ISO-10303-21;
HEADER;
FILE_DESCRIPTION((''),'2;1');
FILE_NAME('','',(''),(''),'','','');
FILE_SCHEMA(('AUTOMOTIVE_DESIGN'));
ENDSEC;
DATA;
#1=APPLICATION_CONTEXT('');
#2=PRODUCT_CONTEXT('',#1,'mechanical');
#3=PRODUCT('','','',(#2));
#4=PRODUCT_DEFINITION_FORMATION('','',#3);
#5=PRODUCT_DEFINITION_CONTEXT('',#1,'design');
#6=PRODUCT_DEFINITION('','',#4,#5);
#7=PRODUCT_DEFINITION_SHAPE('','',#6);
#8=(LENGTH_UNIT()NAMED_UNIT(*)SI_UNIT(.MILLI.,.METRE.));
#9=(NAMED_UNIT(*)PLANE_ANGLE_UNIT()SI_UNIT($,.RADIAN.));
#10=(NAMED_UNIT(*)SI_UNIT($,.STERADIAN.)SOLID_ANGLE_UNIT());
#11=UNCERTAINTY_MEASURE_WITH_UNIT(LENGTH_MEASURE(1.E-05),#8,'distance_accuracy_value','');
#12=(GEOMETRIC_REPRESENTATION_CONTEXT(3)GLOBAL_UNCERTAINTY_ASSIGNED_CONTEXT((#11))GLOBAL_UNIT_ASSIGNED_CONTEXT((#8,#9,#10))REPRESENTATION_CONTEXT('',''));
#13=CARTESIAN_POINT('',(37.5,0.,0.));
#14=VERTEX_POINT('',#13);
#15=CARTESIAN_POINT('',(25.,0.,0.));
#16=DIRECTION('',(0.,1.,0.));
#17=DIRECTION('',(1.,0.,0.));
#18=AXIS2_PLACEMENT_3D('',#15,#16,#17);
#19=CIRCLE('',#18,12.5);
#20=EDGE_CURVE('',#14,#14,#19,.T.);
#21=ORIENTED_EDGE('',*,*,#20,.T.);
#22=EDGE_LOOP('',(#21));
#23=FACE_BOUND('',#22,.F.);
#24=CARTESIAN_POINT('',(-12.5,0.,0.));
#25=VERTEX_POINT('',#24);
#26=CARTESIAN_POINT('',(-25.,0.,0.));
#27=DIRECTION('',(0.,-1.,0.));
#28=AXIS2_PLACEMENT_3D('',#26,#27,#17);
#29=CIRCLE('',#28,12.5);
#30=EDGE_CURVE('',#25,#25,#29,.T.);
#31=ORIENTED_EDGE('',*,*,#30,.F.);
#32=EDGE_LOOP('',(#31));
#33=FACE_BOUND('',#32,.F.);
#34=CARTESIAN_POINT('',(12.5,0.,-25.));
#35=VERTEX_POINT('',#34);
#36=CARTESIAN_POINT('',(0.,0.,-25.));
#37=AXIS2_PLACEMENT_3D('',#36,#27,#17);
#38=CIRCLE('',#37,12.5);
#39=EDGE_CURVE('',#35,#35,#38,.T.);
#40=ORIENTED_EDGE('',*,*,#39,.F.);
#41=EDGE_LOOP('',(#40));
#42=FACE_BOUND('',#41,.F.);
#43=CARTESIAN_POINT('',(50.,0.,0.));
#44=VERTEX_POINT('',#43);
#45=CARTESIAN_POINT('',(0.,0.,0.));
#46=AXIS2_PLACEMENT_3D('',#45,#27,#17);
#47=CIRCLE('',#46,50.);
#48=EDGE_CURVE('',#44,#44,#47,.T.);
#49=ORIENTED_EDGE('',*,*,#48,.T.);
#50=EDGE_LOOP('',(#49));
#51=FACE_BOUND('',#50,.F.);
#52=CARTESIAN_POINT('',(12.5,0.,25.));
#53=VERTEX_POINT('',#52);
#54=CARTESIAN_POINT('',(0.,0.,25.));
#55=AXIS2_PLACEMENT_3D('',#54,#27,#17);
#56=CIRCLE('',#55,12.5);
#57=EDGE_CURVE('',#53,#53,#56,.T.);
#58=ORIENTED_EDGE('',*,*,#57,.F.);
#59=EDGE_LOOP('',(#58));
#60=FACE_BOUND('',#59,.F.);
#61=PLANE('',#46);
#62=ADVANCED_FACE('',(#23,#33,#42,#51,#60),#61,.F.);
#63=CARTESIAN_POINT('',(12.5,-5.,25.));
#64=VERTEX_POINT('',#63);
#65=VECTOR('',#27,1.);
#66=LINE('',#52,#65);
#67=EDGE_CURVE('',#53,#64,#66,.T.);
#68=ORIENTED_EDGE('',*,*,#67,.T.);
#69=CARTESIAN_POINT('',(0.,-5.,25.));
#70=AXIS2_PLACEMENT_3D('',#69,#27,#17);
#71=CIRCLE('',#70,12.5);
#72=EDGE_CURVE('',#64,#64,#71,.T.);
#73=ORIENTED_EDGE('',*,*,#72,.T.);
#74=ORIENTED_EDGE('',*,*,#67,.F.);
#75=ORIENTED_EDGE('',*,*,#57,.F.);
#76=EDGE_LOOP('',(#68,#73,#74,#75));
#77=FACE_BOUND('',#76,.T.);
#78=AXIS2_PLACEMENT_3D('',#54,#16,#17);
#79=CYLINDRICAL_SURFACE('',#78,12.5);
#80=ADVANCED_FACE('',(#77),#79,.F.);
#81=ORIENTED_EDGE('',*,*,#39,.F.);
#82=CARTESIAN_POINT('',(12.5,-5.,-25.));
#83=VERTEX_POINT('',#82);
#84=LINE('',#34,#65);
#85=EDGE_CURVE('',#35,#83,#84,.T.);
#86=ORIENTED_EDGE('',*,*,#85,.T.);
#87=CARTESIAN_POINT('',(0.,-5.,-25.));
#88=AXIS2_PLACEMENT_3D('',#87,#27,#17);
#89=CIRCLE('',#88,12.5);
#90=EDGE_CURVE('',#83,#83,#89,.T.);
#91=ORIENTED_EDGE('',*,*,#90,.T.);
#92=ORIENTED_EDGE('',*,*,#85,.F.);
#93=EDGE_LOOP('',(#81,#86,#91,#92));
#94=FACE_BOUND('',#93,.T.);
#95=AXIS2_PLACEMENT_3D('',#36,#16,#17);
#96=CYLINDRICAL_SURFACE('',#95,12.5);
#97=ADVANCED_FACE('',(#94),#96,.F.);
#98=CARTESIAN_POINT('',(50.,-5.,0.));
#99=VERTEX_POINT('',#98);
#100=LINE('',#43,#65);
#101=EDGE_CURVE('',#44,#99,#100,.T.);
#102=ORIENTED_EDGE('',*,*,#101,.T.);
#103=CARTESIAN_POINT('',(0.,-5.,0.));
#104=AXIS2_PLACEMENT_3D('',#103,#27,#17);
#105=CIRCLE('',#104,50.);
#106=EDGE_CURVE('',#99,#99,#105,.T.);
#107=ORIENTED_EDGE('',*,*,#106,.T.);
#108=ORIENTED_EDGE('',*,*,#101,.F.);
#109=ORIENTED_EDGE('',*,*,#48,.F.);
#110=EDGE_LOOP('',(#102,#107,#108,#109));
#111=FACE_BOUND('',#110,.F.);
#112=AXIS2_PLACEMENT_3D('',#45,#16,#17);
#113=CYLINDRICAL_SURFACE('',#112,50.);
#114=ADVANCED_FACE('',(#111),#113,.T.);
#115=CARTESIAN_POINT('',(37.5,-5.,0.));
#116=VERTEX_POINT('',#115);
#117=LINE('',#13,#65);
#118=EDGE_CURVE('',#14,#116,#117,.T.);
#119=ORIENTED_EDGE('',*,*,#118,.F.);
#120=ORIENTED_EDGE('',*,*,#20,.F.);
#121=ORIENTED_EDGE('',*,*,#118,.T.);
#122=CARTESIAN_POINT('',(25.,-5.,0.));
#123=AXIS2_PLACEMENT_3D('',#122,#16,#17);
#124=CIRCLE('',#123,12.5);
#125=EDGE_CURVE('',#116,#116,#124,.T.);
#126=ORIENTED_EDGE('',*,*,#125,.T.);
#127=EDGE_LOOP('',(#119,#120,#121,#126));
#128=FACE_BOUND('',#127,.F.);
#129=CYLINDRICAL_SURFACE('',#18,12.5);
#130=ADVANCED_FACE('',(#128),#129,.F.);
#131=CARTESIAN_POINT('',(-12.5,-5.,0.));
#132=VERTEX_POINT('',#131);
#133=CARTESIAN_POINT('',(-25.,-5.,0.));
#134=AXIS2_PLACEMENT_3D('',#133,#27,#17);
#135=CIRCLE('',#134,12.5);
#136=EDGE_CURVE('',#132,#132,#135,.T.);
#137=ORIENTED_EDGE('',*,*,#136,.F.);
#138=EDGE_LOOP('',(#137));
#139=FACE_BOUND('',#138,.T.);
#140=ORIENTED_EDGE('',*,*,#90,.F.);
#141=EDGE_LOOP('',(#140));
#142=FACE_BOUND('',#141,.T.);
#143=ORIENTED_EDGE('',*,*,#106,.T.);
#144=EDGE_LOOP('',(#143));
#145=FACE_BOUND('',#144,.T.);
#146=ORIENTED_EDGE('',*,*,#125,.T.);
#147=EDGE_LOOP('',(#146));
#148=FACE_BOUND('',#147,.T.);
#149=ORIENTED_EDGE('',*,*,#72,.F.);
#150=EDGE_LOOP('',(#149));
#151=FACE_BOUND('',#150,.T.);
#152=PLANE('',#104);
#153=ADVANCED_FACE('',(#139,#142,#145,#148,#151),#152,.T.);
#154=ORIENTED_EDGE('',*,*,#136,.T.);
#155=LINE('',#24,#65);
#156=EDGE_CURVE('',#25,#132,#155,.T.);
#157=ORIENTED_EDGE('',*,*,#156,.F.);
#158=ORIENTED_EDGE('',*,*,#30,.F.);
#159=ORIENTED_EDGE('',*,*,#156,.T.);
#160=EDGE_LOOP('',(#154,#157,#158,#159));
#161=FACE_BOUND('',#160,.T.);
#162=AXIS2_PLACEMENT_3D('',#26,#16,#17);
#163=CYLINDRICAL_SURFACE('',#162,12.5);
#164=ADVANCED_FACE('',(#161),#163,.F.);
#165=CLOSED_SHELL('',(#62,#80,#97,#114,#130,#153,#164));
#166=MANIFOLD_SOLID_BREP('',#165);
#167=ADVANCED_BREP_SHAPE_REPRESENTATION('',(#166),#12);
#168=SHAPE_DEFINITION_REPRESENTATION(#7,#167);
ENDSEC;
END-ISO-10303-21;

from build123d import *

# Parameters (mm, degrees)
F0_R     = 50
F0_R_2   = 12.5
F1_DEPTH = 5


with BuildPart() as f1:
    # F0 (on Front) → F1 (new body)
    with BuildSketch(Plane.XZ):
        Circle(F0_R)
        with Locations((0, -25)):
            Circle(F0_R_2, mode=Mode.SUBTRACT)
        with Locations((-25, 0)):
            Circle(F0_R_2, mode=Mode.SUBTRACT)
        with BuildLine():
            ThreePointArc((12.5, 0), (25, 12.5), (37.5, 0))
            ThreePointArc((37.5, 0), (25, -12.5), (12.5, 0))
        make_face(mode=Mode.SUBTRACT)
        with Locations((0, 25)):
            Circle(F0_R_2, mode=Mode.SUBTRACT)
    extrude(amount=F1_DEPTH)


solid = f1.part
